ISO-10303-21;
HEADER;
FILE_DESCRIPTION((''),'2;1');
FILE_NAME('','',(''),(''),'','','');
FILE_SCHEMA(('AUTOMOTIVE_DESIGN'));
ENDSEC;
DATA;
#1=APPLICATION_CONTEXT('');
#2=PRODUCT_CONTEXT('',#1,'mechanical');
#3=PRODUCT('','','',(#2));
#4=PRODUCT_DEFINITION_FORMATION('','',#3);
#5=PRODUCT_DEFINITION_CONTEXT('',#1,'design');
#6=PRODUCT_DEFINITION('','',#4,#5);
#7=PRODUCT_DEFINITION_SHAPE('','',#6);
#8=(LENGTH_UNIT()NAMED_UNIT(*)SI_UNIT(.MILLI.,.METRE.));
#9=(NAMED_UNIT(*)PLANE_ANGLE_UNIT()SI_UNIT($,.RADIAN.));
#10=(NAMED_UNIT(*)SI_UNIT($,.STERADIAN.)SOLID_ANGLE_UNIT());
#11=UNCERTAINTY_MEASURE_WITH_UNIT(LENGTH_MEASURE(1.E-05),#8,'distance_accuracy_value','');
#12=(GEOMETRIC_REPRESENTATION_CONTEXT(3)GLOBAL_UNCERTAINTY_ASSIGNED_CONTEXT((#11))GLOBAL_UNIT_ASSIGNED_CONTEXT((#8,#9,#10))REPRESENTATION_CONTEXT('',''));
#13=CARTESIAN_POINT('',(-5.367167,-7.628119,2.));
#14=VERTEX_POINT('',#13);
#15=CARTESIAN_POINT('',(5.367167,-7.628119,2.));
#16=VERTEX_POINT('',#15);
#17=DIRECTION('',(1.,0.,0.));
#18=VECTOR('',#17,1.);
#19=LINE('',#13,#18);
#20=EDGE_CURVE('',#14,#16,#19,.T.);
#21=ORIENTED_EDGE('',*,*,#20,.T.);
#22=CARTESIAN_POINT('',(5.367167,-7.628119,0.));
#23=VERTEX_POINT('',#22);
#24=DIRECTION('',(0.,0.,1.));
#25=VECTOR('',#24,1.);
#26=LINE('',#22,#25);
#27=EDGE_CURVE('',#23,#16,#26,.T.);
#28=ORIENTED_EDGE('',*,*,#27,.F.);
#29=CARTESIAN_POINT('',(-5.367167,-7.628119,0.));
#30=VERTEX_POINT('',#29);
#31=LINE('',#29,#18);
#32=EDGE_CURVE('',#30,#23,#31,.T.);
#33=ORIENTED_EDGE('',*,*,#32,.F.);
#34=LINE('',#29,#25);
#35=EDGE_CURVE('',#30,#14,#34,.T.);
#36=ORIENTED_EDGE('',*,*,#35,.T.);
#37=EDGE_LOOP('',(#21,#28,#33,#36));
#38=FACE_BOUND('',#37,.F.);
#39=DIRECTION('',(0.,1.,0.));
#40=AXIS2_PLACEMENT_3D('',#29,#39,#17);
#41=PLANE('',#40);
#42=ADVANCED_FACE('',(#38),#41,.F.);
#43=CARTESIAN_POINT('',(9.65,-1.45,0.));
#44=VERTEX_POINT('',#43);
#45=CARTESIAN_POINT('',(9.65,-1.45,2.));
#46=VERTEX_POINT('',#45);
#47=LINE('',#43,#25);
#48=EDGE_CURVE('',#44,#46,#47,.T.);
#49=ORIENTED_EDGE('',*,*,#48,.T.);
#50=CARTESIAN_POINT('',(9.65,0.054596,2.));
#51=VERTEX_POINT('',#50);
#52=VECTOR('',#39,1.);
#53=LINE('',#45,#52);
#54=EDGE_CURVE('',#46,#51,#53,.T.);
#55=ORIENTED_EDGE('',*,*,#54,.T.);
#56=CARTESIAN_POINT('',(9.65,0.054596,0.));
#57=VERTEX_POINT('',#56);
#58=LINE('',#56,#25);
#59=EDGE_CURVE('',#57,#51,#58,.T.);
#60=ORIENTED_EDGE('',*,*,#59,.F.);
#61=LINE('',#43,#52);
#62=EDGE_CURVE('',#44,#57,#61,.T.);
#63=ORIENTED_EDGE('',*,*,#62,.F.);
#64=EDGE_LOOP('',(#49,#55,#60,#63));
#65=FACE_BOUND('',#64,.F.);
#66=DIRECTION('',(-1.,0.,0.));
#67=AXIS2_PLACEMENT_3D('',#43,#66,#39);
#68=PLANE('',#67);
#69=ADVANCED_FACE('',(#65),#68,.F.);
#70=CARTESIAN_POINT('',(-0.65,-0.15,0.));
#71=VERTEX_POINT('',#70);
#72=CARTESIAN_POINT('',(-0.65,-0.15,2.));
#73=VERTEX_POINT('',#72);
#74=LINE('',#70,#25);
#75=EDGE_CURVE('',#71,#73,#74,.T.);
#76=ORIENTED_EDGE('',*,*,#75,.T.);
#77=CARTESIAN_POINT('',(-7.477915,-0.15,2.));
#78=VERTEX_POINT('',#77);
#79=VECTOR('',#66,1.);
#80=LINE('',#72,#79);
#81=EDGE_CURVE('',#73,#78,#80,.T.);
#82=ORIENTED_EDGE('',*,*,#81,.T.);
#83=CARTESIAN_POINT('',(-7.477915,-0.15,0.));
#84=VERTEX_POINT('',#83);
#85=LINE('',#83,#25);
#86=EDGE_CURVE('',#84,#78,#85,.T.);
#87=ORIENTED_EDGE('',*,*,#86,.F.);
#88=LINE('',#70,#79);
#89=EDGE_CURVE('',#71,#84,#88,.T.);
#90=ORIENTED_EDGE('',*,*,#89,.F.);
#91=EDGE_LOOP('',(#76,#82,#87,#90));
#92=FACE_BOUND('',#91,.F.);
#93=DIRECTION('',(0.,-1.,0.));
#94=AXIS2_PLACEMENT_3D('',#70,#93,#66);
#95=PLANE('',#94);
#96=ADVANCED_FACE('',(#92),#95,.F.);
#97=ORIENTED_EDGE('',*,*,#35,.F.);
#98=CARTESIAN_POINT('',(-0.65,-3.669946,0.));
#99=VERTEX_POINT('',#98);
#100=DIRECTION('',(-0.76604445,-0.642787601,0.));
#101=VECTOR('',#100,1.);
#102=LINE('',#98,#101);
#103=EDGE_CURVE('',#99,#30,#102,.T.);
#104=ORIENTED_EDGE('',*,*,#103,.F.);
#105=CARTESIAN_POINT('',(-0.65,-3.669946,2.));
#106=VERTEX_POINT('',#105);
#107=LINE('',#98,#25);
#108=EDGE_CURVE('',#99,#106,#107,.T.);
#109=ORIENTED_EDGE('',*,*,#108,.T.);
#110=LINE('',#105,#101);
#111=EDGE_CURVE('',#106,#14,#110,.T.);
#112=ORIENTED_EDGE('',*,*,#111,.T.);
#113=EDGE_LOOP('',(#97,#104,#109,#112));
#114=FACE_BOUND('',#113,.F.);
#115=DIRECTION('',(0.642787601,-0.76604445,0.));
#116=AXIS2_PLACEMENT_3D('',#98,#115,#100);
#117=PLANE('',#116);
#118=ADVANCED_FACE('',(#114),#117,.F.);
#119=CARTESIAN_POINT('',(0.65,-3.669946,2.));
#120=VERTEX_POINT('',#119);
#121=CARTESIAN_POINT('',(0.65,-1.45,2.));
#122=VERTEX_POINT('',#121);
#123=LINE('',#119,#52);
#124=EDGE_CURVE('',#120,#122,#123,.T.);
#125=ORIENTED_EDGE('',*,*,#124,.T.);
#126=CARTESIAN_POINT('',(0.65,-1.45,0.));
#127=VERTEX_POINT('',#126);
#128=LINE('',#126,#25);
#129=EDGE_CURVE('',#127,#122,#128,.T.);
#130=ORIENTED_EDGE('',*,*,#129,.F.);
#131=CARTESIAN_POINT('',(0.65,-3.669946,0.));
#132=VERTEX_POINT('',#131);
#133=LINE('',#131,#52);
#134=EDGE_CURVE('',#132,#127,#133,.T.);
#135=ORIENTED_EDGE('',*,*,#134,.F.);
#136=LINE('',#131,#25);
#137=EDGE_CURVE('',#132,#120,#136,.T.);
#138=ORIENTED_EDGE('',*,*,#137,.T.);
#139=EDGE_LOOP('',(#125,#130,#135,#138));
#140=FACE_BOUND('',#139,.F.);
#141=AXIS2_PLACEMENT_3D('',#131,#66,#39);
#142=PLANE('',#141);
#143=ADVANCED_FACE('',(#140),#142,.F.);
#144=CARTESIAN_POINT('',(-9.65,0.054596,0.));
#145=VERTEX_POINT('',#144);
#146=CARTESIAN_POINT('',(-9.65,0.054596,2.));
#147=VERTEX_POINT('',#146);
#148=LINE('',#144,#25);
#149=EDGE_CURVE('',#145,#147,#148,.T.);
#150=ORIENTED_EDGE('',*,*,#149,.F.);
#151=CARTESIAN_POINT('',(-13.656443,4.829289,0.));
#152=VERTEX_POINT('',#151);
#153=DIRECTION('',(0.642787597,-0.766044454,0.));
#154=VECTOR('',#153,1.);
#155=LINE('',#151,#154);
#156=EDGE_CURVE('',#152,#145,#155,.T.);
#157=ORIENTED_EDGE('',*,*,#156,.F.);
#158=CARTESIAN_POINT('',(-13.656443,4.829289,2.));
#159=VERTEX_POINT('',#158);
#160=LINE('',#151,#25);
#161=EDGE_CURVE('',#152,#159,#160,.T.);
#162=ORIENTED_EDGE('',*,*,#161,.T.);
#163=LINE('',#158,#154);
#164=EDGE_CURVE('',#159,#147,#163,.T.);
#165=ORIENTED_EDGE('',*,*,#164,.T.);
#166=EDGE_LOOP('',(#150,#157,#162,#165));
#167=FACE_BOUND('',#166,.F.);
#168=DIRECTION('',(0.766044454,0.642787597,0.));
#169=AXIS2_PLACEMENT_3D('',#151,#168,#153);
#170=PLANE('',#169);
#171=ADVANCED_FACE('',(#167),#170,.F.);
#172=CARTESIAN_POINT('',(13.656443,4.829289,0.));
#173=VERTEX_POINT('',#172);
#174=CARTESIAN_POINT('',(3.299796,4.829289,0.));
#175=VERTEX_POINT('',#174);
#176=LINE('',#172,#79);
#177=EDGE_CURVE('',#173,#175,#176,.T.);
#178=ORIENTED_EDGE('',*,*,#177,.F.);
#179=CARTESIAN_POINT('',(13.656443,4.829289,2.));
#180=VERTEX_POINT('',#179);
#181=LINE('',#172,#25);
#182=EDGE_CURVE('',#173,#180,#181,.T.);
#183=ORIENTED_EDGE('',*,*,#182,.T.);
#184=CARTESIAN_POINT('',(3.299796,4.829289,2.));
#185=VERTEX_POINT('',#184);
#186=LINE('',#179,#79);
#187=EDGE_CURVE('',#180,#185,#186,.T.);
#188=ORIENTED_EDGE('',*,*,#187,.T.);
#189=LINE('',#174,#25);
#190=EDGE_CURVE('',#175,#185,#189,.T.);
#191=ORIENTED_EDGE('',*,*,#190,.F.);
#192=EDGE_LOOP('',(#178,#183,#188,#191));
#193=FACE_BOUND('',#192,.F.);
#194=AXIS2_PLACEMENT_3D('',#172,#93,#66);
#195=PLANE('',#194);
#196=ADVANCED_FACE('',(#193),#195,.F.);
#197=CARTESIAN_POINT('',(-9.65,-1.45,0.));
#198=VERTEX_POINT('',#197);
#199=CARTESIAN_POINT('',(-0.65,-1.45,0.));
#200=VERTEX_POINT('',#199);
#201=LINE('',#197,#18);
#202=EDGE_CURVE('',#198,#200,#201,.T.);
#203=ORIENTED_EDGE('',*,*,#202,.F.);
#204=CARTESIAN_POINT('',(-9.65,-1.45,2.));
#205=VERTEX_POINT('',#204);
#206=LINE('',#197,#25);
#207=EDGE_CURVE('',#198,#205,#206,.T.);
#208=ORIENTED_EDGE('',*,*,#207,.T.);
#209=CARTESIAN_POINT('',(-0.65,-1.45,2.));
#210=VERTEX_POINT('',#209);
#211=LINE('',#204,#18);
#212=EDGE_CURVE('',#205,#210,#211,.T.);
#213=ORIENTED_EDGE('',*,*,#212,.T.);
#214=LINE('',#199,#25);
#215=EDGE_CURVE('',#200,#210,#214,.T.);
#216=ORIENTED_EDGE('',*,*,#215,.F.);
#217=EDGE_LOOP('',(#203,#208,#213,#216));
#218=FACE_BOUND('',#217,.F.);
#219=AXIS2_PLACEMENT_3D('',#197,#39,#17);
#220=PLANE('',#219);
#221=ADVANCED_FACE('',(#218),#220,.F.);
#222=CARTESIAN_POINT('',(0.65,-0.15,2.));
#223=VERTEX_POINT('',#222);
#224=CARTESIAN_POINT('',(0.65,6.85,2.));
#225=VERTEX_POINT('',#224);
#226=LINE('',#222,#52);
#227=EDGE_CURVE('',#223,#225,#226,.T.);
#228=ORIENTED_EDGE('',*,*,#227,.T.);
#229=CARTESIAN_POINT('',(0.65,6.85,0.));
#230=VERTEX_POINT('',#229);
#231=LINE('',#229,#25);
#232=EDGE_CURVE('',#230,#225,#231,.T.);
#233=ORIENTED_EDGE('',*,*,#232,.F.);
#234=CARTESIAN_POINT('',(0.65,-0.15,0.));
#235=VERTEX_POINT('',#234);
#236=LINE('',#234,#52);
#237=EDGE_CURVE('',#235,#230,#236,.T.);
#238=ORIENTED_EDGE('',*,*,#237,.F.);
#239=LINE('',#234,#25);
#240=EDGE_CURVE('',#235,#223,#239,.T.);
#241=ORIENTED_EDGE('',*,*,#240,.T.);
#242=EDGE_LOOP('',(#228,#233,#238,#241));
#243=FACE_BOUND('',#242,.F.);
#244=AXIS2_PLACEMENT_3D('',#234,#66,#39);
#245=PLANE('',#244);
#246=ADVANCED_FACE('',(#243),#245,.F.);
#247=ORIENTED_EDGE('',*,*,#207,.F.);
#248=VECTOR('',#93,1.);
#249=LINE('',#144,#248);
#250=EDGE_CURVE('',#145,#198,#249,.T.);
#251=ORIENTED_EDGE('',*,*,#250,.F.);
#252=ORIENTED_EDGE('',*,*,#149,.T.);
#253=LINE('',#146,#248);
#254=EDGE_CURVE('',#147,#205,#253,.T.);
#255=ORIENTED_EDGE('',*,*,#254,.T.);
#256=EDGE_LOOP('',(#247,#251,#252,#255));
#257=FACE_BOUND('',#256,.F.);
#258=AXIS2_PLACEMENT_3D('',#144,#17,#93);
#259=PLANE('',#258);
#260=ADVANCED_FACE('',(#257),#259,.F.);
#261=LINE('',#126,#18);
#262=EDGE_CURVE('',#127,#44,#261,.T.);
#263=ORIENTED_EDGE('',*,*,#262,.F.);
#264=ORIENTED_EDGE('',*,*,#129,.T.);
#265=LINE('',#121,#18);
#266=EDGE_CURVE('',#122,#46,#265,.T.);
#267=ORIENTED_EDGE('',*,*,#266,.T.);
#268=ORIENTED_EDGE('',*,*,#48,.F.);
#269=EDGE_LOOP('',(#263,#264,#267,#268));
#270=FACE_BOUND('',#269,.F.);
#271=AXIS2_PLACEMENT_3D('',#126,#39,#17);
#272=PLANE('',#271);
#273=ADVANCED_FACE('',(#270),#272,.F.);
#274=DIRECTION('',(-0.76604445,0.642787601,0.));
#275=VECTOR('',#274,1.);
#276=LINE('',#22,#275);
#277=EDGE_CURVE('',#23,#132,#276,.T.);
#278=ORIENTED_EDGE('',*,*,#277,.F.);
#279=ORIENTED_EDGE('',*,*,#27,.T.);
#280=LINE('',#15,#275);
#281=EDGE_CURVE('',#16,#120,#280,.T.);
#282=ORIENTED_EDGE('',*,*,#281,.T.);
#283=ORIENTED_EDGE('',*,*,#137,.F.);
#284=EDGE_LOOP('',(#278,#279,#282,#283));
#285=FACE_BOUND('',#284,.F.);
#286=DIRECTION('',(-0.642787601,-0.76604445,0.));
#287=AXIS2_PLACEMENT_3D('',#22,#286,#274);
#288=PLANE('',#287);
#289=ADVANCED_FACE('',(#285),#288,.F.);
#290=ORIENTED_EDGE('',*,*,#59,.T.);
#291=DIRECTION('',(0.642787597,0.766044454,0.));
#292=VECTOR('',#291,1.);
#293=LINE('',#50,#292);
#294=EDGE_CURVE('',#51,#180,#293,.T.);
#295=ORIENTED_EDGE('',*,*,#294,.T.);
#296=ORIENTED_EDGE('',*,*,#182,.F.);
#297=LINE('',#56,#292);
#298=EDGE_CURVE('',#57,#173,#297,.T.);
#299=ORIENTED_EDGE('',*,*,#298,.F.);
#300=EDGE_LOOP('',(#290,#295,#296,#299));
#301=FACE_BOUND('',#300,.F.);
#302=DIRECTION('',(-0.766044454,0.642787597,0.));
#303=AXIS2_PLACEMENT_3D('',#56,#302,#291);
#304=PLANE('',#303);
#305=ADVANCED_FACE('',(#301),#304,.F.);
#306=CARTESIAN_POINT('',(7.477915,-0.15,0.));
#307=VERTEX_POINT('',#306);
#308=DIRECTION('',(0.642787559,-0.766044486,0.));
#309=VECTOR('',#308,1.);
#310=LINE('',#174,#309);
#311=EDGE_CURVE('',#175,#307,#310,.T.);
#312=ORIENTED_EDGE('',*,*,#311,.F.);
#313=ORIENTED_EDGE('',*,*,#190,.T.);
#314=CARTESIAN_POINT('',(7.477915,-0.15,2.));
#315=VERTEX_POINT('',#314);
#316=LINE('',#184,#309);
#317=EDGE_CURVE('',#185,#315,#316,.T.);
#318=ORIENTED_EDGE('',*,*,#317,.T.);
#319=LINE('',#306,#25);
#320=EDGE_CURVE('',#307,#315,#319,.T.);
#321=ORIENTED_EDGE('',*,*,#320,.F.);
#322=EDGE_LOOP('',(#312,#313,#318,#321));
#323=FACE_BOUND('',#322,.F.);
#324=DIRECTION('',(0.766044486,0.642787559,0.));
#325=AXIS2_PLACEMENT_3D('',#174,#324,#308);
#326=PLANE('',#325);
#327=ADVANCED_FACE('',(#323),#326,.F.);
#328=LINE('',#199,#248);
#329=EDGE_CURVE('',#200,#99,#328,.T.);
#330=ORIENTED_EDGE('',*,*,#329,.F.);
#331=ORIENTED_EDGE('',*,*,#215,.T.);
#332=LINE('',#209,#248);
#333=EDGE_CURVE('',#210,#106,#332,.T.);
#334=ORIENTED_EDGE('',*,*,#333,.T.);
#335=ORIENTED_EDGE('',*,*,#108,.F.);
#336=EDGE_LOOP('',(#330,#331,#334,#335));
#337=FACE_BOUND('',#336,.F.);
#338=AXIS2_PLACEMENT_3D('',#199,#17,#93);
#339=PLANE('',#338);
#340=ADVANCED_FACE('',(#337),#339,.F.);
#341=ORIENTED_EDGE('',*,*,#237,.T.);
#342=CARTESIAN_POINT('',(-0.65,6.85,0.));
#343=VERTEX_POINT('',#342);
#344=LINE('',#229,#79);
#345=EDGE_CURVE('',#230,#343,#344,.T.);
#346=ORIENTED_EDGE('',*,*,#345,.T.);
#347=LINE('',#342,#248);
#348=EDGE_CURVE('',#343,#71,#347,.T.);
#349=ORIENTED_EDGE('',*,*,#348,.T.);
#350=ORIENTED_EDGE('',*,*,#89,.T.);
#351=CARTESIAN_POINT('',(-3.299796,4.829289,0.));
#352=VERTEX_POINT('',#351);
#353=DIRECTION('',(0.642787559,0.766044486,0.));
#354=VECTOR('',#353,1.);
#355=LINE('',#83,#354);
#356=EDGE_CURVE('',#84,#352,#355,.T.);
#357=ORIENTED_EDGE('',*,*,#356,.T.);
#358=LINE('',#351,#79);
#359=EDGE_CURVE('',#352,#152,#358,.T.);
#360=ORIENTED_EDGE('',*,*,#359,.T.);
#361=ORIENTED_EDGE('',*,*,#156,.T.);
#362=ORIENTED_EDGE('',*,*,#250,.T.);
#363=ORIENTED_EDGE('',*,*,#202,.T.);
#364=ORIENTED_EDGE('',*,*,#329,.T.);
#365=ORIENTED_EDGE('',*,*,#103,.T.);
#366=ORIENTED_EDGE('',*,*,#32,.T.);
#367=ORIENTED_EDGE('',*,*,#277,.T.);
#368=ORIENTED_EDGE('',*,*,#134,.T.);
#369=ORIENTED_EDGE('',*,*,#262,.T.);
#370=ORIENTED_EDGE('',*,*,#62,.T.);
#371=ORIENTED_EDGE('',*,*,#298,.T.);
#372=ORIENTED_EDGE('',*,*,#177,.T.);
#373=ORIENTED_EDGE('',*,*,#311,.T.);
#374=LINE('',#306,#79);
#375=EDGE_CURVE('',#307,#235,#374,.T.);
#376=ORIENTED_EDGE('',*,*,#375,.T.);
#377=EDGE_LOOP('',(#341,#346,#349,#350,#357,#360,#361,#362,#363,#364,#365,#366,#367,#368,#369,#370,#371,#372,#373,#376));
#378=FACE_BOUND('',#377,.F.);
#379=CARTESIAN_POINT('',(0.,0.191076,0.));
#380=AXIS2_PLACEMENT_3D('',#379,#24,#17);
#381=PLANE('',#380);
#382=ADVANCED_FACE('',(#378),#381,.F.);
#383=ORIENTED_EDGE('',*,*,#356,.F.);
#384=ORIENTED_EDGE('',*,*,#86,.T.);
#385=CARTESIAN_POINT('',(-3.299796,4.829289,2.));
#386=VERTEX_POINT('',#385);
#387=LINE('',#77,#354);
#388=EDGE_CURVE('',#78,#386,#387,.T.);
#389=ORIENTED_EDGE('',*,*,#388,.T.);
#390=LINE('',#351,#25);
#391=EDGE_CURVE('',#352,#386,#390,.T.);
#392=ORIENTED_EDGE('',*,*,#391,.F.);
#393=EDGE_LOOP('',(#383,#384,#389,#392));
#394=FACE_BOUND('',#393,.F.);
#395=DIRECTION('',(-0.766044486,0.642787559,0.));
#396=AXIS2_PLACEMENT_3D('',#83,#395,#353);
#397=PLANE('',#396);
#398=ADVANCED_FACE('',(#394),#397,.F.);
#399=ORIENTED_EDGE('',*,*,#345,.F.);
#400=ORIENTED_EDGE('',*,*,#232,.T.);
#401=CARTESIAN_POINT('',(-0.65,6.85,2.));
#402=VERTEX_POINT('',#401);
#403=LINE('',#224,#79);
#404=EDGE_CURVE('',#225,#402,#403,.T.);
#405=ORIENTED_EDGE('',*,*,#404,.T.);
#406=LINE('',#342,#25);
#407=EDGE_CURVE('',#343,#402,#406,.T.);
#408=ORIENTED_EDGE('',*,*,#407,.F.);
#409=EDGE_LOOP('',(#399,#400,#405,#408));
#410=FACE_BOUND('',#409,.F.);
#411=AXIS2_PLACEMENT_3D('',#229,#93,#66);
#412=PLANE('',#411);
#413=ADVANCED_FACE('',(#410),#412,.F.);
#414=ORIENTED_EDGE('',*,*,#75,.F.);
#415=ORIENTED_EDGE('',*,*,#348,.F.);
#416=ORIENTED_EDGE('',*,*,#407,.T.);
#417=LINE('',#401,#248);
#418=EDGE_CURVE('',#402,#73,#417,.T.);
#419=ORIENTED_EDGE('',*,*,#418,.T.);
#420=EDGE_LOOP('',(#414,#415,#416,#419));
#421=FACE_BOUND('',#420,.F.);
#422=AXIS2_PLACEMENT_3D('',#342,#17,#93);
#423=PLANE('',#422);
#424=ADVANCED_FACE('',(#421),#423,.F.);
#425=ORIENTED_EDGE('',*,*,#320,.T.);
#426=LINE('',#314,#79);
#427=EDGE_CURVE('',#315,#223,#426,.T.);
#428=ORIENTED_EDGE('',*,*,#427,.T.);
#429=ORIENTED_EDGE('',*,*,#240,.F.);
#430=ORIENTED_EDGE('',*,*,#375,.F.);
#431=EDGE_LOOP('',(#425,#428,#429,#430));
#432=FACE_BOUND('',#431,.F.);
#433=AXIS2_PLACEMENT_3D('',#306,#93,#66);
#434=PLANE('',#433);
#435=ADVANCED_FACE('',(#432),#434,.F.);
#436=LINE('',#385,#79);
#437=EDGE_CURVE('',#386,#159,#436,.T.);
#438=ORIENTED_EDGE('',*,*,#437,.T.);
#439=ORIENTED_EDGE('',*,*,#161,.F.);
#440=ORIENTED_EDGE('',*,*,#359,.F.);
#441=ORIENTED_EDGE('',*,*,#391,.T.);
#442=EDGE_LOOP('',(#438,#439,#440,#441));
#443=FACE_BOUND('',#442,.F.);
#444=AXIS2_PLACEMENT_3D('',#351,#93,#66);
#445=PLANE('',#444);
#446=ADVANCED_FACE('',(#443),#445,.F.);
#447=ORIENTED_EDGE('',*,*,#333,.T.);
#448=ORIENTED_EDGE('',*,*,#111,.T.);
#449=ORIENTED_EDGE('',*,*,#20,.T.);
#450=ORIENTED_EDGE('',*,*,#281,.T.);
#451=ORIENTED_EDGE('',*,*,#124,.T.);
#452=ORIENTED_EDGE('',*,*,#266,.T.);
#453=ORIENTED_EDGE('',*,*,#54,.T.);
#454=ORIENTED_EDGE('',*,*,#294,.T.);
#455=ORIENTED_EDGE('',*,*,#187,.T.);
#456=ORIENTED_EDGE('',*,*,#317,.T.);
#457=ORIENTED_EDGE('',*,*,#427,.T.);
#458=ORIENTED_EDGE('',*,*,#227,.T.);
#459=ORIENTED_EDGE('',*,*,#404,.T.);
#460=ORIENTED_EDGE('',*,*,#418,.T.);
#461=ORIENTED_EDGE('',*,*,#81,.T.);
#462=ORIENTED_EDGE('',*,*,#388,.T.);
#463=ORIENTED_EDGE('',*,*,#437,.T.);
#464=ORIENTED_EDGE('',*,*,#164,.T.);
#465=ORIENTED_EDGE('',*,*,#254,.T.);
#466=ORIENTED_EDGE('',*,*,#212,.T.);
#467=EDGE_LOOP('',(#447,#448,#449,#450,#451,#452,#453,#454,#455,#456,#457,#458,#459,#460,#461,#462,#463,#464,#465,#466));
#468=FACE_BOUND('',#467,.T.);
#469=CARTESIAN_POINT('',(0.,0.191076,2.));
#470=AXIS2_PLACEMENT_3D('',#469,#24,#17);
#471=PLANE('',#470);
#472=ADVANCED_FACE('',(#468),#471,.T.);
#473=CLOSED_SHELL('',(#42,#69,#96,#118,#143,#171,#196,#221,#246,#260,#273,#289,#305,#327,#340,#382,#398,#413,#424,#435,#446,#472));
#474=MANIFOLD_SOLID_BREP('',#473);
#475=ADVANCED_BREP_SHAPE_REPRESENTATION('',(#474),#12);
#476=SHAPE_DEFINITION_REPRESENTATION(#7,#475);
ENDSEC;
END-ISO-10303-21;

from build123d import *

# Parameters (mm, degrees)
F1_DEPTH = 2


with BuildPart() as f1:
    # F0 (on Top) → F1 (new body)
    with BuildSketch(Plane.XY):
        Polygon((-9.65, 0.054596), (-9.65, -1.45), (-0.65, -1.45), (-0.65, -3.669946), (-5.367167, -7.628119), (0, -7.628119), (5.367167, -7.628119), (0.65, -3.669946), (0.65, -1.45), (9.65, -1.45), (9.65, 0.054596), (13.656443, 4.829289), (3.299796, 4.829289), (7.477915, -0.15), (0.65, -0.15), (0.65, 6.85), (0, 6.85), (-0.65, 6.85), (-0.65, -0.15), (-7.477915, -0.15), (-3.299796, 4.829289), (-13.656443, 4.829289), align=None)
    extrude(amount=F1_DEPTH)


solid = f1.part
